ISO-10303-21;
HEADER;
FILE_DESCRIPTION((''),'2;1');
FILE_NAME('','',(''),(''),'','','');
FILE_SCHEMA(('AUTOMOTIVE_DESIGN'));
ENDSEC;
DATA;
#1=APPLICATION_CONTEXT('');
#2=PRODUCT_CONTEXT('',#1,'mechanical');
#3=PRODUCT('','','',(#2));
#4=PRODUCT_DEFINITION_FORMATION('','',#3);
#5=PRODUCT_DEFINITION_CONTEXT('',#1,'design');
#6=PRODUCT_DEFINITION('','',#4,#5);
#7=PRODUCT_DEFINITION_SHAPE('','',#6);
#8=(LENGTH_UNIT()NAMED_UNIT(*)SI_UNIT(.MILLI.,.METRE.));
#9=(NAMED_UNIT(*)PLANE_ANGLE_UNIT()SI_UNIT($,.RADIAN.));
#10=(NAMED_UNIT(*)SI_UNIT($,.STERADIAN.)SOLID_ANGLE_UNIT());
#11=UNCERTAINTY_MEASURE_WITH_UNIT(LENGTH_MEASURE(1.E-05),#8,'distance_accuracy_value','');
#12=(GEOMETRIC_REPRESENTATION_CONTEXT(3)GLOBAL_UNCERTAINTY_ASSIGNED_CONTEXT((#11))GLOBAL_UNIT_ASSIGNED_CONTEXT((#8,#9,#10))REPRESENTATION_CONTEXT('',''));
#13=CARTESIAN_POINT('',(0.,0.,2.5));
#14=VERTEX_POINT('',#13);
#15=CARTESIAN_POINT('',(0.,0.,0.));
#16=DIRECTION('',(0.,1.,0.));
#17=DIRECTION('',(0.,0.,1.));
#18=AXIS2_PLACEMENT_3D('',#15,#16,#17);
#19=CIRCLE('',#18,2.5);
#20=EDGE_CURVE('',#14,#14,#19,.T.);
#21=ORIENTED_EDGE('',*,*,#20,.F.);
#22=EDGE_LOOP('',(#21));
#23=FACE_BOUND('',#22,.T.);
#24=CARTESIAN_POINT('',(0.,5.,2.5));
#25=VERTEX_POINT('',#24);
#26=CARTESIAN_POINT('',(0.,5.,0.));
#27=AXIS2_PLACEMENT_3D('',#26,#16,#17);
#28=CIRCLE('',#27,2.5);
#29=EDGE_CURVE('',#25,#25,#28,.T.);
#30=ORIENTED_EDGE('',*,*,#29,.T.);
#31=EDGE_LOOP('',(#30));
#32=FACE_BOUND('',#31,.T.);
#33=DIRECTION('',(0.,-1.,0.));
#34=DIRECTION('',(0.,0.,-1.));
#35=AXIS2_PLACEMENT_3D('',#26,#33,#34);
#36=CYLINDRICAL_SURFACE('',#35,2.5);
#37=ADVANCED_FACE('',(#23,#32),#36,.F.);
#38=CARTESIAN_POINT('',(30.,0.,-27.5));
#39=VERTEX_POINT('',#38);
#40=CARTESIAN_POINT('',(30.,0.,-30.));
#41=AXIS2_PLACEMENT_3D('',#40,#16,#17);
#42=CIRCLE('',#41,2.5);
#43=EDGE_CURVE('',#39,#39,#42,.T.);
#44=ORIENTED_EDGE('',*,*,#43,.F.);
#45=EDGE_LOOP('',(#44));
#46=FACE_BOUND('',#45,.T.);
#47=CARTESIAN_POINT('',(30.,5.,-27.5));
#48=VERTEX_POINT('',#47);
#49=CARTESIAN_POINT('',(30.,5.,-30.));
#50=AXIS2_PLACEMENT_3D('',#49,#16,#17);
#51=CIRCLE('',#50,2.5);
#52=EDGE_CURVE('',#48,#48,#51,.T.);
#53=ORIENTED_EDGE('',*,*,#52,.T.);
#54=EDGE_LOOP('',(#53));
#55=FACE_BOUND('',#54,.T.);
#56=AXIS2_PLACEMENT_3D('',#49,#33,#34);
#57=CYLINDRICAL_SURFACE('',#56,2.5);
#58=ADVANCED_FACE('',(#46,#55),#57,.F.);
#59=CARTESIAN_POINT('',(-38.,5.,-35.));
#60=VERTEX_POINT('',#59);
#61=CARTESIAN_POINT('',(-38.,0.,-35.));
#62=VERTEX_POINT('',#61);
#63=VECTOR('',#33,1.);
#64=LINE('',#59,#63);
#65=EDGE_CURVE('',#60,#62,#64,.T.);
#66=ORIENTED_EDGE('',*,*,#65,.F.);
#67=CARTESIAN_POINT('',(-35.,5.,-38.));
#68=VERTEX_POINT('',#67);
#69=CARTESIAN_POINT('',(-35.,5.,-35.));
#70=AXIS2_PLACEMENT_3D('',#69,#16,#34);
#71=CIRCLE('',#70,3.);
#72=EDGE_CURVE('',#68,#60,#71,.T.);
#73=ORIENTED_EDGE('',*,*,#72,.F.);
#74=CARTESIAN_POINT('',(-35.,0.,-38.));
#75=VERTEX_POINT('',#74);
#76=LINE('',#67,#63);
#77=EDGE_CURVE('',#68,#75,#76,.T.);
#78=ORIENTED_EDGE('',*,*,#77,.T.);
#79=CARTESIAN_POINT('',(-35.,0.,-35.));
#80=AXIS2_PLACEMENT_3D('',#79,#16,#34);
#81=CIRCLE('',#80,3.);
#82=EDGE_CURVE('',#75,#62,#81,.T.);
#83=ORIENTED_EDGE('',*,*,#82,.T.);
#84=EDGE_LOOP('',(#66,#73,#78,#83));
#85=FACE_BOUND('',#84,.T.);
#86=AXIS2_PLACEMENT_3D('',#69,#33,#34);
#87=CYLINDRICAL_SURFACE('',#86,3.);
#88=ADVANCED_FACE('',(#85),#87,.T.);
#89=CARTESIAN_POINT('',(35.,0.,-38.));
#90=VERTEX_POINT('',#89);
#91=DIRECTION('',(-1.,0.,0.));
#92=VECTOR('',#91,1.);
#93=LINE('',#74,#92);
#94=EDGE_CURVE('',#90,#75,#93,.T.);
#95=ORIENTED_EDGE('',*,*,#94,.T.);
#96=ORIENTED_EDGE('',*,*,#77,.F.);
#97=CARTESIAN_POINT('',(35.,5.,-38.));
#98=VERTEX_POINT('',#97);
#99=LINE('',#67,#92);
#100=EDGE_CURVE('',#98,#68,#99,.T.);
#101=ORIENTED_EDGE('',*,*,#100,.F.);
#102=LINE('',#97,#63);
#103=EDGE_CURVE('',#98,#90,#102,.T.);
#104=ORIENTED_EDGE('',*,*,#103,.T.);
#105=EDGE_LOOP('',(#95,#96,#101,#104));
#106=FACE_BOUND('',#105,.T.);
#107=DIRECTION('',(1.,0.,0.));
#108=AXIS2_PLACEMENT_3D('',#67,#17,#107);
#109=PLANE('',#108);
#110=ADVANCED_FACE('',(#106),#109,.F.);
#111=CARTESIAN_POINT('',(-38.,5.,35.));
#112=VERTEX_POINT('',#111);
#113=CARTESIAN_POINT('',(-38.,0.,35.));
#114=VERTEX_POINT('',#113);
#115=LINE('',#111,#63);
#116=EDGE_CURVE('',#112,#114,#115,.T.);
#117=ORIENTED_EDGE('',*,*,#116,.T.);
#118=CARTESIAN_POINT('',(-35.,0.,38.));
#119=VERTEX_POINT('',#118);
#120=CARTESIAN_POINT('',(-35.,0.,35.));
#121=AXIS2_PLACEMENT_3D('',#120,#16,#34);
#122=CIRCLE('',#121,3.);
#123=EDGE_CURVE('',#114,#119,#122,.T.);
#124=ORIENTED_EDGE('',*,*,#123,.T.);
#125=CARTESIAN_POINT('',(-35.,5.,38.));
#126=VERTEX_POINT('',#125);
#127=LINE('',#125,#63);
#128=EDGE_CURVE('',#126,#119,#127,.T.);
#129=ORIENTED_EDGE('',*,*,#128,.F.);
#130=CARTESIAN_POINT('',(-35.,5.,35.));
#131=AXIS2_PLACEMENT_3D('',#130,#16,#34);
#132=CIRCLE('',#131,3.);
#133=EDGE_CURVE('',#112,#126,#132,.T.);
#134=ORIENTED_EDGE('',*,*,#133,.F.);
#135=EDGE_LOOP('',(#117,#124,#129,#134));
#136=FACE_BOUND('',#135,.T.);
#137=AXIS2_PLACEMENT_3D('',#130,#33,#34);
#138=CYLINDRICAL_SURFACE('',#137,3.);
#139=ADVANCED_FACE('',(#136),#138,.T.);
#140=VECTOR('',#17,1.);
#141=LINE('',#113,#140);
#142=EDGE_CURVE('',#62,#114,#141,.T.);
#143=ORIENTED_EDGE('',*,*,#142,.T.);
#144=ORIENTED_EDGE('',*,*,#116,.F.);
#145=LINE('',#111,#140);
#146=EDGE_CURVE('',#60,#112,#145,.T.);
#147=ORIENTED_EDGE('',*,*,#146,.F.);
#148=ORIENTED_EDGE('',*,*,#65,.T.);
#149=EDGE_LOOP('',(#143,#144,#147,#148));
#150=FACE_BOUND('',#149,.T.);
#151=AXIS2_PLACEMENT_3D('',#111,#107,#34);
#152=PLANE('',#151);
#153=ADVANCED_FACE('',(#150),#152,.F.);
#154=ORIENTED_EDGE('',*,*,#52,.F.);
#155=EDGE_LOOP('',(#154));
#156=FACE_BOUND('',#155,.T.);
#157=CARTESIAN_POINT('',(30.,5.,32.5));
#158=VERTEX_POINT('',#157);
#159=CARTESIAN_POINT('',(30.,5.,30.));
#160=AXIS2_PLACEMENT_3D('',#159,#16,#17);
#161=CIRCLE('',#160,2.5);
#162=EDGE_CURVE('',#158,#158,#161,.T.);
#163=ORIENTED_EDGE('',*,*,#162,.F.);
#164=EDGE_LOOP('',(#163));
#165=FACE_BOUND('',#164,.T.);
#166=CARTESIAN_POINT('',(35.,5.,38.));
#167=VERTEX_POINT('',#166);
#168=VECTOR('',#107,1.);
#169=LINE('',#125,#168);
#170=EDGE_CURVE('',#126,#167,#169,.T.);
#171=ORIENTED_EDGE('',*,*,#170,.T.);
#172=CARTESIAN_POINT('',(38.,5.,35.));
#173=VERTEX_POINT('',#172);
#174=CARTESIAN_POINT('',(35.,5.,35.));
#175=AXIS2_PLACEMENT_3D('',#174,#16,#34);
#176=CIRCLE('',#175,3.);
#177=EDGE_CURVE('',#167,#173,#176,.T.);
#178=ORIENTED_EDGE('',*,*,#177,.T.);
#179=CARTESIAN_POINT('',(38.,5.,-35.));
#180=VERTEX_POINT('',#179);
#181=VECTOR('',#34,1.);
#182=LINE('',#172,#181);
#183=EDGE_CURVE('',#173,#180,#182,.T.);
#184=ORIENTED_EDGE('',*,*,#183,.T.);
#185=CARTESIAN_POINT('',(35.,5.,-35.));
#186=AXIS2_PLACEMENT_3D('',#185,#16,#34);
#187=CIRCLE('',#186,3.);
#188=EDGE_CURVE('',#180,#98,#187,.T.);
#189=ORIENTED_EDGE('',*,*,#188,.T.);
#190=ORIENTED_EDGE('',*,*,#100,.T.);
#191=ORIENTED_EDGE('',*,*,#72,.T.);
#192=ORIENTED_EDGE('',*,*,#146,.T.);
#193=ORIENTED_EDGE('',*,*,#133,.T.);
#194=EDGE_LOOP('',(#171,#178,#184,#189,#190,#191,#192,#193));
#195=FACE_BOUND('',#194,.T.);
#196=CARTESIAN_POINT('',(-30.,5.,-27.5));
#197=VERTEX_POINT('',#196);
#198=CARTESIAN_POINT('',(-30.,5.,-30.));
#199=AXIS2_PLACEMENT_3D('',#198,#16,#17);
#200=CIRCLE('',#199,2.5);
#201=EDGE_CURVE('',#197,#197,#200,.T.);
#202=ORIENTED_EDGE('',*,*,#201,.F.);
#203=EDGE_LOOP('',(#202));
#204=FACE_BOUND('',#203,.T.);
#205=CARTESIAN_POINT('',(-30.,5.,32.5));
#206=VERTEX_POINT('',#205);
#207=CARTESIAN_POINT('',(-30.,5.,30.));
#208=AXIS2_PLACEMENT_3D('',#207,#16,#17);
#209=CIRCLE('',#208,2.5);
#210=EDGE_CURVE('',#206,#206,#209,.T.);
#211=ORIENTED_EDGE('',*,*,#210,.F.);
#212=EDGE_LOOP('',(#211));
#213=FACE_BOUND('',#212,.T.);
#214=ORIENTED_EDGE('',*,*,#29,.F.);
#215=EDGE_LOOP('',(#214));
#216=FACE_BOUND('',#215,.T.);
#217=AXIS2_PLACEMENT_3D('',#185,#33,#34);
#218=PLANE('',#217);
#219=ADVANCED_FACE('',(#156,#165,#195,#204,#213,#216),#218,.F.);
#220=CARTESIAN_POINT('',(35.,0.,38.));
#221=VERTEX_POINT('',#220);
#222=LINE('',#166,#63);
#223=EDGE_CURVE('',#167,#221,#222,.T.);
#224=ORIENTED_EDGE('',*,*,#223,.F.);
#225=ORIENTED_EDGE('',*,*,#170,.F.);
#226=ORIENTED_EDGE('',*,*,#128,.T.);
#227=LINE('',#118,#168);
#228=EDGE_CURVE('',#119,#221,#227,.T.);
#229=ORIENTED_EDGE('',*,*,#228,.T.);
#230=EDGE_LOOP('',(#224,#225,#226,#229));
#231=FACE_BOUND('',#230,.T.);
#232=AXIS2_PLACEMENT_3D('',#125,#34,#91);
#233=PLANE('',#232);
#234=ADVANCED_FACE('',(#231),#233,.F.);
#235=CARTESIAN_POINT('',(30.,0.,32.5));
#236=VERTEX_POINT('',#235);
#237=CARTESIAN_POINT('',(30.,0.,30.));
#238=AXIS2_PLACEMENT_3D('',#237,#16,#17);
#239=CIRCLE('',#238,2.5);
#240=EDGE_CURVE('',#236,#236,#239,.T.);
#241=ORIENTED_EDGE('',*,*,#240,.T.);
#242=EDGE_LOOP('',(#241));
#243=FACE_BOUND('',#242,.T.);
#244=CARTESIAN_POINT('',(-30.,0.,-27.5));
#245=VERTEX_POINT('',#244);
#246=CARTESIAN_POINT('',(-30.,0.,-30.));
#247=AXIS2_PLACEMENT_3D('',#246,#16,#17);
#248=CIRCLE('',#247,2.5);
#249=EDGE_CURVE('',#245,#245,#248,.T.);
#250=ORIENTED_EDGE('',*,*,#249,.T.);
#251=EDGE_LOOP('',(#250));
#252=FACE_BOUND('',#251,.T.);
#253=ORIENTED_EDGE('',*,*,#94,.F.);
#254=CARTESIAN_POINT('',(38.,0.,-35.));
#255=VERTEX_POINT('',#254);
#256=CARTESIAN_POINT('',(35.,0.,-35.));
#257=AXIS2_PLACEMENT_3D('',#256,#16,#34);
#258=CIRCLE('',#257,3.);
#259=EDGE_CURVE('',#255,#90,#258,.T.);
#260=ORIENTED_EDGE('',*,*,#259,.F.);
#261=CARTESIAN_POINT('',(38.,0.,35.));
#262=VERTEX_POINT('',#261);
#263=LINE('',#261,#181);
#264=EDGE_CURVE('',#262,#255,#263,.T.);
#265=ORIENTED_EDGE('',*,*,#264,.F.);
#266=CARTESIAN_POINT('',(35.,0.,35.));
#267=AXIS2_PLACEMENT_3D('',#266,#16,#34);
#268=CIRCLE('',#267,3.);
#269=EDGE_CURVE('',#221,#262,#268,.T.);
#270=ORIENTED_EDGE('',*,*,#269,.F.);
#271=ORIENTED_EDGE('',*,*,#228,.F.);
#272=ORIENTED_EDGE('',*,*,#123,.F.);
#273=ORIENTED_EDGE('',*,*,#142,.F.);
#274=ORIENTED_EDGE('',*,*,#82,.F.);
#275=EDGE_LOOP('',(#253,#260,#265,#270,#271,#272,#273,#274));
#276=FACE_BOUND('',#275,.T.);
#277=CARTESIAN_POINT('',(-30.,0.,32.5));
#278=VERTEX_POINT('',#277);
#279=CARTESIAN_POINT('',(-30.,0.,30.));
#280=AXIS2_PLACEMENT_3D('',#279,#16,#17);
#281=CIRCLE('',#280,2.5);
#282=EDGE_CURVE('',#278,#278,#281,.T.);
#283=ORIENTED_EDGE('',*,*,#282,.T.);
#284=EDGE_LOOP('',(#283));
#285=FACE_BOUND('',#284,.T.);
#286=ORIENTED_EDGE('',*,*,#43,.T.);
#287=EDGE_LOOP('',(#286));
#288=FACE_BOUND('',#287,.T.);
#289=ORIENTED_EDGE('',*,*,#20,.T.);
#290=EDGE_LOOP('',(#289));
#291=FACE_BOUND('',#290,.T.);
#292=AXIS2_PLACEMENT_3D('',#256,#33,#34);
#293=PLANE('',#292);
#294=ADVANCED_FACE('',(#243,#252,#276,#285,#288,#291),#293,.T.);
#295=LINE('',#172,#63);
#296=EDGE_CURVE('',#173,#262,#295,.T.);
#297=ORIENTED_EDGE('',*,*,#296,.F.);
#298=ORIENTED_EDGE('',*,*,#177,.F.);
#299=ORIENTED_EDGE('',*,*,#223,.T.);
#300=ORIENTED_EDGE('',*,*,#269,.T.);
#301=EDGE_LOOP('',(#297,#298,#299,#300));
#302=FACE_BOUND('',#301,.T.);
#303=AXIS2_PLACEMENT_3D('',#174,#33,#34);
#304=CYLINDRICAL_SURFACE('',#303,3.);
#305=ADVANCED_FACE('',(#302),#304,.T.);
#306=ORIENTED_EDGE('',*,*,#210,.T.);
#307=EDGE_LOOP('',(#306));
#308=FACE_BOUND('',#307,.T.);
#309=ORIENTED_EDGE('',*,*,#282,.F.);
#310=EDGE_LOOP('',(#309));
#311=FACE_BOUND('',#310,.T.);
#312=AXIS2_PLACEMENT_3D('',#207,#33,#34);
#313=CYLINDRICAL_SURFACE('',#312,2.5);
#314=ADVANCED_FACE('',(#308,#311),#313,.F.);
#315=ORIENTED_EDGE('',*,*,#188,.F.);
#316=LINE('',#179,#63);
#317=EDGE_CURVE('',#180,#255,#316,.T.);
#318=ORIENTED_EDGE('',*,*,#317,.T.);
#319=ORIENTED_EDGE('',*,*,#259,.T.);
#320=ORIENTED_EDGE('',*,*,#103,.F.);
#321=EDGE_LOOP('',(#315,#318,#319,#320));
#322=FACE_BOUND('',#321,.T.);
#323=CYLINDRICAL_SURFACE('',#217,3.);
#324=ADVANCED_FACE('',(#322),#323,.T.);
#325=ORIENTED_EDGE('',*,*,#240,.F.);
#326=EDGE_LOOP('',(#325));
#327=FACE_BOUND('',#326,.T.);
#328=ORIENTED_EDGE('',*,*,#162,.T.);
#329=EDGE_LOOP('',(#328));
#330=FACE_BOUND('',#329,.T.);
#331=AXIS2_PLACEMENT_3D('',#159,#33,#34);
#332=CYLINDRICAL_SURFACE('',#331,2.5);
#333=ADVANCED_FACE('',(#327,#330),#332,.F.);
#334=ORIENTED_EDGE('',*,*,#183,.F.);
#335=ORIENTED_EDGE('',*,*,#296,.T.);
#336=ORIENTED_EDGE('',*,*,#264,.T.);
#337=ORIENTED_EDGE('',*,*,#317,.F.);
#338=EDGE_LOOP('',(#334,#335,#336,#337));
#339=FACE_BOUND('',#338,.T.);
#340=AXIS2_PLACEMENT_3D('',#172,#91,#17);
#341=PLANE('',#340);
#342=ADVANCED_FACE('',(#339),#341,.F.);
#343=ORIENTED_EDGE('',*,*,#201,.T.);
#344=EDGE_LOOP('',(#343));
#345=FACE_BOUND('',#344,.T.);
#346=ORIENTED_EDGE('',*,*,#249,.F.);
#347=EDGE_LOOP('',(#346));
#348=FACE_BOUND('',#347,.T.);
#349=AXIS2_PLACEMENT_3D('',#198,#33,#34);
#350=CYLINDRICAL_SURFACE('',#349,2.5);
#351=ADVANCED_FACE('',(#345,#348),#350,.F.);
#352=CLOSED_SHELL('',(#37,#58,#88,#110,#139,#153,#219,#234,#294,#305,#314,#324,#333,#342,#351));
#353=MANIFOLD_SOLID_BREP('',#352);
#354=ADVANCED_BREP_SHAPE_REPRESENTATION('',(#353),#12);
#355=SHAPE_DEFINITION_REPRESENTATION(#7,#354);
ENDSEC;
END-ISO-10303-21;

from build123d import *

# Parameters (mm, degrees)
SKETCH1_R           = 2.5
BOSS_EXTRUDE1_DEPTH = 5


with BuildPart() as part:
    # Sketch1 → Boss-Extrude1 (new body)
    with BuildSketch(Plane(origin=(0, 0, 0), x_dir=(1, 0, 0), z_dir=(0, 1, 0))):
        with BuildLine():
            Line((-35, -38), (35, -38))
            ThreePointArc((35, -38), (37.121320344, -37.121320344), (38, -35))
            Line((38, -35), (38, 35))
            ThreePointArc((38, 35), (37.121320344, 37.121320344), (35, 38))
            Line((35, 38), (-35, 38))
            ThreePointArc((-35, 38), (-37.121320344, 37.121320344), (-38, 35))
            Line((-38, 35), (-38, -35))
            ThreePointArc((-38, -35), (-37.121320344, -37.121320344), (-35, -38))
        make_face()
        with Locations(Location((0, 0, 0), (0, 0, 270))):
            Circle(SKETCH1_R, mode=Mode.SUBTRACT)
        with Locations(Location((-30, -30, 0), (0, 0, 270))):
            Circle(SKETCH1_R, mode=Mode.SUBTRACT)
        with Locations(Location((-30, 30, 0), (0, 0, 270))):
            Circle(SKETCH1_R, mode=Mode.SUBTRACT)
        with Locations(Location((30, 30, 0), (0, 0, 270))):
            Circle(SKETCH1_R, mode=Mode.SUBTRACT)
        with Locations(Location((30, -30, 0), (0, 0, 270))):
            Circle(SKETCH1_R, mode=Mode.SUBTRACT)
    extrude(amount=BOSS_EXTRUDE1_DEPTH)


solid = part.part
